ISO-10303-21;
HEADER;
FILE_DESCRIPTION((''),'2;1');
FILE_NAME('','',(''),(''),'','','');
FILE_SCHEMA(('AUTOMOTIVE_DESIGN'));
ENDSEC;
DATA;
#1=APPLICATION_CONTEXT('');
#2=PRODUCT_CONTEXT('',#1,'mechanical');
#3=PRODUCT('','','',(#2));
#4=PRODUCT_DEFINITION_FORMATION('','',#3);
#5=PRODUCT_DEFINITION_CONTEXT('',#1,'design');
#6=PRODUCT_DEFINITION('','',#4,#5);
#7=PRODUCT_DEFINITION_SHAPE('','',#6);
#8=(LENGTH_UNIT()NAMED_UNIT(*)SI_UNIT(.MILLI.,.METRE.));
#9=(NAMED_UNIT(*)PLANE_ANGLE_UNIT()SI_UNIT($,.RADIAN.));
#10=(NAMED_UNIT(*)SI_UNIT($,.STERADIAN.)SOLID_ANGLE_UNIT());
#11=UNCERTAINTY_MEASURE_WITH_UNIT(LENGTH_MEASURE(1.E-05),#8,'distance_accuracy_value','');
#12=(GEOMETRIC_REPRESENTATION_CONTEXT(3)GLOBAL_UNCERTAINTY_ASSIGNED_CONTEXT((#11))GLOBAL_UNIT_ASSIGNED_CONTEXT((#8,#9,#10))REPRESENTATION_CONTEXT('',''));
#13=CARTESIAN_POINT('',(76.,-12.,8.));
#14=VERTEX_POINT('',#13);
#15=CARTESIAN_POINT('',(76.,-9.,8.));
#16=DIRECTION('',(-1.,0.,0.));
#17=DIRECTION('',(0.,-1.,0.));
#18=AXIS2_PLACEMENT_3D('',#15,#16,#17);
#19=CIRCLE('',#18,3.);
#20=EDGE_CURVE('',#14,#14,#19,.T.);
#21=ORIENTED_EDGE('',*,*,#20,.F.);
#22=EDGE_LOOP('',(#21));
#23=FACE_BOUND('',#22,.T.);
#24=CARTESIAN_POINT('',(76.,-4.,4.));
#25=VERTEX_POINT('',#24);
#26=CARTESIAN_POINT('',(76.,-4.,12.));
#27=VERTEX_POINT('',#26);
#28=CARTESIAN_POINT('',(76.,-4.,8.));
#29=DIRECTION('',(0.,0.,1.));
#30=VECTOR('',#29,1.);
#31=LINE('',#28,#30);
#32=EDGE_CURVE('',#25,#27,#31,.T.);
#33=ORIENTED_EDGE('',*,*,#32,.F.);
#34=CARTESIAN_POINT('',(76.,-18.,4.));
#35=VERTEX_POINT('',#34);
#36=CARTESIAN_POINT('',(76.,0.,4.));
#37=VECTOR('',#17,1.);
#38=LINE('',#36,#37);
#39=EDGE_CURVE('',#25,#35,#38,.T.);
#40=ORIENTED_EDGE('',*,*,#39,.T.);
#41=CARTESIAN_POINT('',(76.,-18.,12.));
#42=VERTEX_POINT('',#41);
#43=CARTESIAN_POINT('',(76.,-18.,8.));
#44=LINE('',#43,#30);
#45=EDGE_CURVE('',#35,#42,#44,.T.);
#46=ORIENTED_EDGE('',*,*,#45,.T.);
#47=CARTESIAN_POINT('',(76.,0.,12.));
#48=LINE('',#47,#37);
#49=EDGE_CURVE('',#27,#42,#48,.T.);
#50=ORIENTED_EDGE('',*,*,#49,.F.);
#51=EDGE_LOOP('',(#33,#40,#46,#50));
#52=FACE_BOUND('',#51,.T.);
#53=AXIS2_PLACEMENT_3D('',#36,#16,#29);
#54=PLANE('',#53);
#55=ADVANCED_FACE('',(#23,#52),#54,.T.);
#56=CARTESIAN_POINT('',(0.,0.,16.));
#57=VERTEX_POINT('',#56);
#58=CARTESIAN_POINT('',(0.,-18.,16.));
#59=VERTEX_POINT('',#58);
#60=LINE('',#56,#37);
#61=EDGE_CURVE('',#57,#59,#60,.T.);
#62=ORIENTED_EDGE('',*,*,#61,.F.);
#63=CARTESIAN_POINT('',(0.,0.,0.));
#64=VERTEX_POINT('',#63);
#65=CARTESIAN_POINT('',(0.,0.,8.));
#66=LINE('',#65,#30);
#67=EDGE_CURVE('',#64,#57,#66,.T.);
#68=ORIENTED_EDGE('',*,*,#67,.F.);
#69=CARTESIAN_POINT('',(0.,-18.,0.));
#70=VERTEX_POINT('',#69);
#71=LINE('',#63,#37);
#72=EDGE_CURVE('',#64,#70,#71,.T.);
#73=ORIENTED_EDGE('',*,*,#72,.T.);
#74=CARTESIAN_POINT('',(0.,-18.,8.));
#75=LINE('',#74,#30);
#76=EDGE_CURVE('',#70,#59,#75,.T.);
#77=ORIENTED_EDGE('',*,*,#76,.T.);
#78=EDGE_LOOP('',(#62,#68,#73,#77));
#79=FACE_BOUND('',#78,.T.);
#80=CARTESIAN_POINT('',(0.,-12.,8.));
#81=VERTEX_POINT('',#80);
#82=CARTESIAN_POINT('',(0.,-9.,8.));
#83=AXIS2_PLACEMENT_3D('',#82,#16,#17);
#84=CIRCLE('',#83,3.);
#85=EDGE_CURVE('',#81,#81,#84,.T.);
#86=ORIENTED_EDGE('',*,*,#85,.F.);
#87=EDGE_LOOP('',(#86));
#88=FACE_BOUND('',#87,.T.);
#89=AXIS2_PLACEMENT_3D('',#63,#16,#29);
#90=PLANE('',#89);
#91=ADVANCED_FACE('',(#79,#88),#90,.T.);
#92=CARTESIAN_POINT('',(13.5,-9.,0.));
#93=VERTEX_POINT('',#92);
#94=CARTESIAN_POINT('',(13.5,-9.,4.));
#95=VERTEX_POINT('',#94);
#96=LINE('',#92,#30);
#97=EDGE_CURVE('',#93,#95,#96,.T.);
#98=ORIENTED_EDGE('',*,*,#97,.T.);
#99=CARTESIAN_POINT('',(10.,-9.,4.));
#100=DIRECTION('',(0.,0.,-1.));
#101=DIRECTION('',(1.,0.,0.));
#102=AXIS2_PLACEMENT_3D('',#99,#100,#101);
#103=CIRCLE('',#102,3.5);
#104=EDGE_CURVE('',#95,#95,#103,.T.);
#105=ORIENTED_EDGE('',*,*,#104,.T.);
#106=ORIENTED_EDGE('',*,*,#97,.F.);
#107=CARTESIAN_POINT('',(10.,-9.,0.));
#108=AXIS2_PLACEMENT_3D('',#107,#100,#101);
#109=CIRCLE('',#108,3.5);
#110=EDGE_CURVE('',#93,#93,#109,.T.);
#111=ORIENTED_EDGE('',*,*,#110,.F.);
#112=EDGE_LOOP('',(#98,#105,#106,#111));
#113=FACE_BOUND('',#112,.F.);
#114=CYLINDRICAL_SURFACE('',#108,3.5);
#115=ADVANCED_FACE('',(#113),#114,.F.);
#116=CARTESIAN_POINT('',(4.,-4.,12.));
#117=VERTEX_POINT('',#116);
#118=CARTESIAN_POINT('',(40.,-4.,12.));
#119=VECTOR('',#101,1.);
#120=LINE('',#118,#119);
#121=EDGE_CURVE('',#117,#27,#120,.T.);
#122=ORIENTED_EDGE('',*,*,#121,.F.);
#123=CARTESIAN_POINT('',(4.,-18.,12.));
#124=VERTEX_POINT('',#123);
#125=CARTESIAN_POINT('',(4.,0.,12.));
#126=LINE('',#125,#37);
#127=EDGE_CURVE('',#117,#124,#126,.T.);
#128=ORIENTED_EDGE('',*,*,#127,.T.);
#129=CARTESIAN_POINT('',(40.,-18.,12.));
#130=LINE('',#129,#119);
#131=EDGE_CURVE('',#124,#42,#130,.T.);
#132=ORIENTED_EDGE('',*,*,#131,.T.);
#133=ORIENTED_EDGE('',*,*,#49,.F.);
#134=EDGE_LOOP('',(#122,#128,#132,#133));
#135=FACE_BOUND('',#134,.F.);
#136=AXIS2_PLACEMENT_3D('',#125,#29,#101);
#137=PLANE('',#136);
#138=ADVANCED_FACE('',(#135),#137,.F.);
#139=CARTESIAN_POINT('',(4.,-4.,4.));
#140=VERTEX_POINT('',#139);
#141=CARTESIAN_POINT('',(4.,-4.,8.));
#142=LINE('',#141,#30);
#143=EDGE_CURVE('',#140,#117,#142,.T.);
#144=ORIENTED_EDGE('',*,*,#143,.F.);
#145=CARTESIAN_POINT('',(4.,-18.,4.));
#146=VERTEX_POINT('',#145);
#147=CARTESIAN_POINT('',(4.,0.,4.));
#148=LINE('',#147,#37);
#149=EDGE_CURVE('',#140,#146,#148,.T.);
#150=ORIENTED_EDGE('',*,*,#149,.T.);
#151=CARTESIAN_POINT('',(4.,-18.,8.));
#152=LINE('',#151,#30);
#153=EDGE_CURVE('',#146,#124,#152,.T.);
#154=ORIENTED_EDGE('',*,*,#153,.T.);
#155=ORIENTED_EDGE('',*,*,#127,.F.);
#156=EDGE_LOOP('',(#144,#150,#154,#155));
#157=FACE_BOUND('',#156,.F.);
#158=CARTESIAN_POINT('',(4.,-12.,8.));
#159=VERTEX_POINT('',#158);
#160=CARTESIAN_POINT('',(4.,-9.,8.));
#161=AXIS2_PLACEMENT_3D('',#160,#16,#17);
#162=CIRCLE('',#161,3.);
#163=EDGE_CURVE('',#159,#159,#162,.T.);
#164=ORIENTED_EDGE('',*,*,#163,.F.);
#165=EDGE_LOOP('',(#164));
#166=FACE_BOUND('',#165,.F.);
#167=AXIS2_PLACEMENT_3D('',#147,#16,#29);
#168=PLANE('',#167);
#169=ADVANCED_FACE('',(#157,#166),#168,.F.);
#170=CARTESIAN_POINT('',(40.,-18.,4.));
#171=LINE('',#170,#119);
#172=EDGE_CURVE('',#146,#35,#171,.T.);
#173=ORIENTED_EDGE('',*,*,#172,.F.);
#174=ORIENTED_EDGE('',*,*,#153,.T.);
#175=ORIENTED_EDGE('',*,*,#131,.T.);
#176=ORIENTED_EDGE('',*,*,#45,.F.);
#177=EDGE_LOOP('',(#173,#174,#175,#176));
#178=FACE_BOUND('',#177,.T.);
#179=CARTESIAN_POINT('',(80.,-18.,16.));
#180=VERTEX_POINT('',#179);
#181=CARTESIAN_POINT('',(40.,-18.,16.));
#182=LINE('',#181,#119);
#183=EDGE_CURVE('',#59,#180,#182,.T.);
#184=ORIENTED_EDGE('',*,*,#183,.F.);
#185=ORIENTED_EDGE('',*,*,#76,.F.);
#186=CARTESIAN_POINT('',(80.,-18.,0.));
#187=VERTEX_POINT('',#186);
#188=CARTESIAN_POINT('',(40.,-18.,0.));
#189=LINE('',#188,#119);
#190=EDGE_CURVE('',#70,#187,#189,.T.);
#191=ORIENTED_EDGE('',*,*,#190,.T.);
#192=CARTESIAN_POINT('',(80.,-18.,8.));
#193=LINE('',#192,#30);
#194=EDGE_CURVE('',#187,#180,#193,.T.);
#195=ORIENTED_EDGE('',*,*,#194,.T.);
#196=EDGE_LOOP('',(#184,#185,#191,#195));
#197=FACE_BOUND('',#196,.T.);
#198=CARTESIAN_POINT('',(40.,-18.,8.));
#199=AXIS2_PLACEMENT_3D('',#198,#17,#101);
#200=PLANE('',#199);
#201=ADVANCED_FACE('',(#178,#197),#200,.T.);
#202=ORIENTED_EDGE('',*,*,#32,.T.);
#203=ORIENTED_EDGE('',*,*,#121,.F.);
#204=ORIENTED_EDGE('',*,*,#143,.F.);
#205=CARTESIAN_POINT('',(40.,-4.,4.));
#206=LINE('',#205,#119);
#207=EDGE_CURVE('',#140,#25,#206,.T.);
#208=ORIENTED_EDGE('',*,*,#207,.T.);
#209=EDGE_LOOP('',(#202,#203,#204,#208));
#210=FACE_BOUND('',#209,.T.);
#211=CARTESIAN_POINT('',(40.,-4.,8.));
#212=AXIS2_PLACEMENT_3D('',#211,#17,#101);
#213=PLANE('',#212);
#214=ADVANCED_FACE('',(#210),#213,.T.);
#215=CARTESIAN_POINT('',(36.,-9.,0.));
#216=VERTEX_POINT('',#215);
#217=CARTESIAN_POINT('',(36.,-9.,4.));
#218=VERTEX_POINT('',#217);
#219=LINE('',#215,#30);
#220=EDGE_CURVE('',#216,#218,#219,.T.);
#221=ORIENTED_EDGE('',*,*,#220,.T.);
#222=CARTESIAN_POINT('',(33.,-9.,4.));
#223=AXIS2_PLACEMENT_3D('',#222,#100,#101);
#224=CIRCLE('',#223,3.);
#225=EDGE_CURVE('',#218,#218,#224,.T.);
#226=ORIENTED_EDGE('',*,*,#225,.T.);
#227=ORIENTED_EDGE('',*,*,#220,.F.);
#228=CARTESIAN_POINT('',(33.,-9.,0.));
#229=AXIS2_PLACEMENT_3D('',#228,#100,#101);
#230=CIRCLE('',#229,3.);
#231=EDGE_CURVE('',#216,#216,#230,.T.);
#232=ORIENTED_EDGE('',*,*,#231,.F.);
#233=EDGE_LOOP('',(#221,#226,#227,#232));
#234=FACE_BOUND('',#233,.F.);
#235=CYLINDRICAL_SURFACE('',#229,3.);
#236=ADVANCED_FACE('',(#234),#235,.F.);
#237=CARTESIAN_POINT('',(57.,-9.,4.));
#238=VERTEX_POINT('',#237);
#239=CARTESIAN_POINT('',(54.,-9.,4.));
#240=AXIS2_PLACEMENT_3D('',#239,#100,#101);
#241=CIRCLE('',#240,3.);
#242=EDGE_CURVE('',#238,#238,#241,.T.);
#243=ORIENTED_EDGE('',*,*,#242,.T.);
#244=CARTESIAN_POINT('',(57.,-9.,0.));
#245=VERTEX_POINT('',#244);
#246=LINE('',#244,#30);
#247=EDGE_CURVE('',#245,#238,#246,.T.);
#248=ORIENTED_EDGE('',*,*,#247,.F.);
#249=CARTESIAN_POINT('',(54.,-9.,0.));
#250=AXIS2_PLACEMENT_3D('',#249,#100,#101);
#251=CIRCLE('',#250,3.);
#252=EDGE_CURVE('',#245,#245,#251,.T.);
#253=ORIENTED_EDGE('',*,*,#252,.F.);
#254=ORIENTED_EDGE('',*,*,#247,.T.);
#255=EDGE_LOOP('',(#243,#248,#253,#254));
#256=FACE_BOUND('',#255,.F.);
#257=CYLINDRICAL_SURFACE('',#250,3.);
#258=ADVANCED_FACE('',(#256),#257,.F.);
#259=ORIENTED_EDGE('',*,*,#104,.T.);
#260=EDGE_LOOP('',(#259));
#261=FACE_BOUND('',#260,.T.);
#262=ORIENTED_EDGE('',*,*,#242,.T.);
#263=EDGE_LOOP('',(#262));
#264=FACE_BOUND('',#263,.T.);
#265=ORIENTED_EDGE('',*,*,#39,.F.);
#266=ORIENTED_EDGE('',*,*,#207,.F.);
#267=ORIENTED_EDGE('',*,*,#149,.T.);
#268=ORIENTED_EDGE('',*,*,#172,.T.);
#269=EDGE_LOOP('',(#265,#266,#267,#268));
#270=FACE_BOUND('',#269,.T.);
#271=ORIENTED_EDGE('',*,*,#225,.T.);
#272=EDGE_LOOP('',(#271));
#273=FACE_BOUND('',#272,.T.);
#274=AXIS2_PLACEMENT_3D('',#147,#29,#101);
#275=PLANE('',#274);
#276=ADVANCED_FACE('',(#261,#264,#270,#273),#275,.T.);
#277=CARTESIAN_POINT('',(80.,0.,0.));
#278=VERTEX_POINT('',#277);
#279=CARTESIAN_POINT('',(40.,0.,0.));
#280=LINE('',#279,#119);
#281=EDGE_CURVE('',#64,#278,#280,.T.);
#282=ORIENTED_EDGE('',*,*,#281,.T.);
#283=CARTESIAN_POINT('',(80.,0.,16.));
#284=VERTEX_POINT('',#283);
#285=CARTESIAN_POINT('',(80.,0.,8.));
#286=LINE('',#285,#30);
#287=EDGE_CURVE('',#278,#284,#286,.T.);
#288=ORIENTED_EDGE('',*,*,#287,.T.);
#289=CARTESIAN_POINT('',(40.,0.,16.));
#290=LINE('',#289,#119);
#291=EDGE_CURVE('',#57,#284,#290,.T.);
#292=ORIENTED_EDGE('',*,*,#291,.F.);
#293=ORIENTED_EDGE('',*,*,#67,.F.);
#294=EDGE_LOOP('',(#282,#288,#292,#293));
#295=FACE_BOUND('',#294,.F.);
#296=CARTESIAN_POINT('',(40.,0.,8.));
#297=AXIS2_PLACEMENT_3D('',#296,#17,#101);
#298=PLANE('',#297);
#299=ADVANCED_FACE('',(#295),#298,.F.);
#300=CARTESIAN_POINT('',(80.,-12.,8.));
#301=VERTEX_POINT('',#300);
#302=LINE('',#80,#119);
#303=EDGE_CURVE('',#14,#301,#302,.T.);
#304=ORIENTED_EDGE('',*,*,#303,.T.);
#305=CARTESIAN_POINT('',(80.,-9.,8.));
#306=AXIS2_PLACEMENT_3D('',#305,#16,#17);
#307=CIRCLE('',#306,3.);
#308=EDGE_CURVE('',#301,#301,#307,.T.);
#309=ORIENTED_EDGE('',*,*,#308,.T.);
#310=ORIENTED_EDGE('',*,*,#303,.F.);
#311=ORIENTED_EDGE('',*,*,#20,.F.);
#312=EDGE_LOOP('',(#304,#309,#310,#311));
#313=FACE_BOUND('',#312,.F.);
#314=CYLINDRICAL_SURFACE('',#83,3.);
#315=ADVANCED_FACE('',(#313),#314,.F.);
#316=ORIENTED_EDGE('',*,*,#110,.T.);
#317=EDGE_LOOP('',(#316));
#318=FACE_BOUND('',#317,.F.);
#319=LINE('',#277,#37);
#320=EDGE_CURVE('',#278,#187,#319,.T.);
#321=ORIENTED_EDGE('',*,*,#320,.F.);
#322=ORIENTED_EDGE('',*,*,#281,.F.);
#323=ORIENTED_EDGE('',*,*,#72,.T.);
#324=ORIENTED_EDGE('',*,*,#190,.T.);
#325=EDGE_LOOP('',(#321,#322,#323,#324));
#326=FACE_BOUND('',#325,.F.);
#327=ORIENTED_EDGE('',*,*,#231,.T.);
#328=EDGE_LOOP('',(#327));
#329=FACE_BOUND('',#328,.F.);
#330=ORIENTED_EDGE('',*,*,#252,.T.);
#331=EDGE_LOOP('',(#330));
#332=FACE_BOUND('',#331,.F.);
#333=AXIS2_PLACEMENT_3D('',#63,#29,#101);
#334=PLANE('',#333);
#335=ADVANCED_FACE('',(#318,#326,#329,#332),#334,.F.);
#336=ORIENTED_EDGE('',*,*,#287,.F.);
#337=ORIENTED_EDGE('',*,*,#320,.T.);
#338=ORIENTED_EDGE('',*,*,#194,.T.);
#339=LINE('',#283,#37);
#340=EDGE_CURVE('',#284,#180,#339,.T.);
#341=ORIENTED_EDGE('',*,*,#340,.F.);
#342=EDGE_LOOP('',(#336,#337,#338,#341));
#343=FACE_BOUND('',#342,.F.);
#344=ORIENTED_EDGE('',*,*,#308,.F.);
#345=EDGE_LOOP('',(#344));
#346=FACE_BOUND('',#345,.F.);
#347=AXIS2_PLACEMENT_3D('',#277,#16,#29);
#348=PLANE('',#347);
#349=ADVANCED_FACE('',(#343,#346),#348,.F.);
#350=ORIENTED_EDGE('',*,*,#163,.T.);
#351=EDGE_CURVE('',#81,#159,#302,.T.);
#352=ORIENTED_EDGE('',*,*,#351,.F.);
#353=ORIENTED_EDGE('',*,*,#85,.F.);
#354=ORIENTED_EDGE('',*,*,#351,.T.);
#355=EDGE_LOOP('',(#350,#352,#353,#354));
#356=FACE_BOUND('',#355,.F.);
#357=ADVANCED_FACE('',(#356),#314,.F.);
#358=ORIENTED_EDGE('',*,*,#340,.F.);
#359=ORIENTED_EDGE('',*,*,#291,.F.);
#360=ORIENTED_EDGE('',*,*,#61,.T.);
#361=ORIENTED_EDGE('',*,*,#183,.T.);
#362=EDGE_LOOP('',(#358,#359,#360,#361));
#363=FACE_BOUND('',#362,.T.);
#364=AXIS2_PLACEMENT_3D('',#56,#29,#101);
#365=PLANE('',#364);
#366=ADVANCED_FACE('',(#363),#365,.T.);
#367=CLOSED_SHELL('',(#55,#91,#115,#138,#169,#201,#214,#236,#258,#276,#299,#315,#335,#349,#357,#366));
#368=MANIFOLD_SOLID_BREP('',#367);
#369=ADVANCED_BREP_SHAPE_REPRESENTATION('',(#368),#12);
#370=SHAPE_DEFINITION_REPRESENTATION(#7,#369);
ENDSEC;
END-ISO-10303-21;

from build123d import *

# Parameters (mm, degrees)
F0_W     = 80
F0_H     = 16
F0_W_2   = 72
F0_H_2   = 8
F1_DEPTH = 18
F2_R     = 3
F3_DEPTH = 80
F4_DEPTH = 4
F5_R     = 3.5
F5_R_2   = 3
F6_DEPTH = 5


with BuildPart() as f1:
    # F0 (on Front) → F1 (new body)
    with BuildSketch(Plane.XZ):
        with Locations((40, 8)):
            Rectangle(F0_W, F0_H)
        with Locations((40, 8)):
            Rectangle(F0_W_2, F0_H_2, mode=Mode.SUBTRACT)
    extrude(amount=F1_DEPTH)

    # F2 (on face) → F3 (cut)
    with BuildSketch(Plane(origin=(0, 0, 0), x_dir=(0, -1, 0), z_dir=(-1, 0, 0))):
        with Locations((9, 8)):
            Circle(F2_R)
    extrude(amount=-F3_DEPTH, mode=Mode.SUBTRACT)

    # F0 (on Front) → F4 (join)
    with BuildSketch(Plane.XZ):
        with Locations((40, 8)):
            Rectangle(F0_W_2, F0_H_2)
    extrude(amount=F4_DEPTH)

    # F5 (on face) → F6 (cut)
    with BuildSketch(Plane(origin=(0, 0, 0), x_dir=(1, 0, 0), z_dir=(0, 0, -1))):
        with Locations((10, 9)):
            Circle(F5_R)
        with Locations((33, 9)):
            Circle(F5_R_2)
        with Locations((54, 9)):
            Circle(F5_R_2)
    extrude(amount=-F6_DEPTH, mode=Mode.SUBTRACT)


solid = f1.part
